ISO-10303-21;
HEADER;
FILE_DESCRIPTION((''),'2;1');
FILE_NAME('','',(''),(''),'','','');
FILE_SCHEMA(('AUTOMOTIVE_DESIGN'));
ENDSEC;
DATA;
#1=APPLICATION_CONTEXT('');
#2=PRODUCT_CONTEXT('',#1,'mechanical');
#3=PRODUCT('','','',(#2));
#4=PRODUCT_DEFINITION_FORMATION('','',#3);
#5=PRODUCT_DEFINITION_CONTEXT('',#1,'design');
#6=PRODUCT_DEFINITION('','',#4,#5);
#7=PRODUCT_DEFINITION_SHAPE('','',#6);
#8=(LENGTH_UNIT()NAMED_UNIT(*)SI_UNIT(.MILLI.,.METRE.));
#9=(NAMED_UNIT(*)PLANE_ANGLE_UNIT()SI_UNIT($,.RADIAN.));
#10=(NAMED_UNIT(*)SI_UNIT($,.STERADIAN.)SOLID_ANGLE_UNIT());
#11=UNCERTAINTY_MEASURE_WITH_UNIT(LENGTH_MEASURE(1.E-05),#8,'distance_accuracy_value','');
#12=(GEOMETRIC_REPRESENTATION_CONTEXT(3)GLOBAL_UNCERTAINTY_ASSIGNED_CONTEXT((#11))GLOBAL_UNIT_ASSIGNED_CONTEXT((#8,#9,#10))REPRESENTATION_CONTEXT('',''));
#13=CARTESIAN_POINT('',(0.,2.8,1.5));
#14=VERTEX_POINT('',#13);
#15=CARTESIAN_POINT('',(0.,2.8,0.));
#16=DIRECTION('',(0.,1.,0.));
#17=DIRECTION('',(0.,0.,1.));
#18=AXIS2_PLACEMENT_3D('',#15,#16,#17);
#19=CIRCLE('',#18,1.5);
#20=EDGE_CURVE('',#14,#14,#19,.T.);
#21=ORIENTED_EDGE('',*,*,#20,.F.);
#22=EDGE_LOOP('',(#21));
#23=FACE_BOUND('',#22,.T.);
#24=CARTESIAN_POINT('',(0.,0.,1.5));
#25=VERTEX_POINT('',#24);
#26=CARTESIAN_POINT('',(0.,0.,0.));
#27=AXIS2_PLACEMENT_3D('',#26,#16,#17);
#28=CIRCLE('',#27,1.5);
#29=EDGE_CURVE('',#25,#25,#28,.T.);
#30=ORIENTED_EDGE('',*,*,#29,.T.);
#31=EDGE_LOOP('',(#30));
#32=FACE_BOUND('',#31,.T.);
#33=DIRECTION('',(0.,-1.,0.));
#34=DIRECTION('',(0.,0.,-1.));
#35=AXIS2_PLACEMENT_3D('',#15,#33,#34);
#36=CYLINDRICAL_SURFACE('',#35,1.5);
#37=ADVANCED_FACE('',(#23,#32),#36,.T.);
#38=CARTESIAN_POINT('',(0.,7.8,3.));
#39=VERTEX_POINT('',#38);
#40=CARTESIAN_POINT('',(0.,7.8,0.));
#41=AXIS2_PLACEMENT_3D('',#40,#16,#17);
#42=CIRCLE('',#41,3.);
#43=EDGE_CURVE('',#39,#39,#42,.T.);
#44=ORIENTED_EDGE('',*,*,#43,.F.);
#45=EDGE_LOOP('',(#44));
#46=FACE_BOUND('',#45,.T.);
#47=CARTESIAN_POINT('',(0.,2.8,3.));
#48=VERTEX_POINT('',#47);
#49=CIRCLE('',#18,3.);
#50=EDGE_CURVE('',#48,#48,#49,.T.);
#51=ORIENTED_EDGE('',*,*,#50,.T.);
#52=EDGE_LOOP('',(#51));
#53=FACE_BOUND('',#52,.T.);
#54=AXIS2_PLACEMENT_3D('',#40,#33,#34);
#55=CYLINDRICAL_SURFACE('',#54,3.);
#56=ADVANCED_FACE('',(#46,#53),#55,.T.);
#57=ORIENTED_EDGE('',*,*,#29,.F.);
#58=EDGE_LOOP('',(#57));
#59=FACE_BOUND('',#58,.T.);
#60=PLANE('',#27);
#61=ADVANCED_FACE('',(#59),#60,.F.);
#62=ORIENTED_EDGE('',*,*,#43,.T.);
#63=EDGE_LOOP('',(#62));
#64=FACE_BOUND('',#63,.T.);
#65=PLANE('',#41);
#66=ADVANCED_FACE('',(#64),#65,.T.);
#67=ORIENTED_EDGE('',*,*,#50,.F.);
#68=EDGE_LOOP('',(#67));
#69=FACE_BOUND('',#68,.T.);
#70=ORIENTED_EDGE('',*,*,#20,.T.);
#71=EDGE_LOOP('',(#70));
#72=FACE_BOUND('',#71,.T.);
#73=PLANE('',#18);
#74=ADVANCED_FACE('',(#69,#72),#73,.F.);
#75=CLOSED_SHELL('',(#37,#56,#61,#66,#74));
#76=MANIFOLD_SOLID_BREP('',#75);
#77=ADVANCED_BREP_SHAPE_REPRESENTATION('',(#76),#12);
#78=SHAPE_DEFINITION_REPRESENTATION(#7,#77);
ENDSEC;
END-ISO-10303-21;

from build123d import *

# Parameters (mm, degrees)
SKETCH_1_R      = 1.5
EXTRUDE_1_DEPTH = 2.8
SKETCH_2_R      = 3
EXTRUDE_2_DEPTH = 5


with BuildPart() as part:
    # 草圖1 → 填料-伸長1 (new body)
    with BuildSketch(Plane(origin=(0, 0, 0), x_dir=(1, 0, 0), z_dir=(0, 1, 0))):
        with Locations(Location((0, 0, 0), (0, 0, 270))):
            Circle(SKETCH_1_R)
    extrude(amount=EXTRUDE_1_DEPTH)

    # 草圖2 → 填料-伸長2 (add)
    with BuildSketch(Plane(origin=(0, 2.8, 0), x_dir=(1, 0, 0), z_dir=(0, 1, 0))):
        with Locations(Location((0, 0, 0), (0, 0, 270))):
            Circle(SKETCH_2_R)
    extrude(amount=EXTRUDE_2_DEPTH)


solid = part.part
